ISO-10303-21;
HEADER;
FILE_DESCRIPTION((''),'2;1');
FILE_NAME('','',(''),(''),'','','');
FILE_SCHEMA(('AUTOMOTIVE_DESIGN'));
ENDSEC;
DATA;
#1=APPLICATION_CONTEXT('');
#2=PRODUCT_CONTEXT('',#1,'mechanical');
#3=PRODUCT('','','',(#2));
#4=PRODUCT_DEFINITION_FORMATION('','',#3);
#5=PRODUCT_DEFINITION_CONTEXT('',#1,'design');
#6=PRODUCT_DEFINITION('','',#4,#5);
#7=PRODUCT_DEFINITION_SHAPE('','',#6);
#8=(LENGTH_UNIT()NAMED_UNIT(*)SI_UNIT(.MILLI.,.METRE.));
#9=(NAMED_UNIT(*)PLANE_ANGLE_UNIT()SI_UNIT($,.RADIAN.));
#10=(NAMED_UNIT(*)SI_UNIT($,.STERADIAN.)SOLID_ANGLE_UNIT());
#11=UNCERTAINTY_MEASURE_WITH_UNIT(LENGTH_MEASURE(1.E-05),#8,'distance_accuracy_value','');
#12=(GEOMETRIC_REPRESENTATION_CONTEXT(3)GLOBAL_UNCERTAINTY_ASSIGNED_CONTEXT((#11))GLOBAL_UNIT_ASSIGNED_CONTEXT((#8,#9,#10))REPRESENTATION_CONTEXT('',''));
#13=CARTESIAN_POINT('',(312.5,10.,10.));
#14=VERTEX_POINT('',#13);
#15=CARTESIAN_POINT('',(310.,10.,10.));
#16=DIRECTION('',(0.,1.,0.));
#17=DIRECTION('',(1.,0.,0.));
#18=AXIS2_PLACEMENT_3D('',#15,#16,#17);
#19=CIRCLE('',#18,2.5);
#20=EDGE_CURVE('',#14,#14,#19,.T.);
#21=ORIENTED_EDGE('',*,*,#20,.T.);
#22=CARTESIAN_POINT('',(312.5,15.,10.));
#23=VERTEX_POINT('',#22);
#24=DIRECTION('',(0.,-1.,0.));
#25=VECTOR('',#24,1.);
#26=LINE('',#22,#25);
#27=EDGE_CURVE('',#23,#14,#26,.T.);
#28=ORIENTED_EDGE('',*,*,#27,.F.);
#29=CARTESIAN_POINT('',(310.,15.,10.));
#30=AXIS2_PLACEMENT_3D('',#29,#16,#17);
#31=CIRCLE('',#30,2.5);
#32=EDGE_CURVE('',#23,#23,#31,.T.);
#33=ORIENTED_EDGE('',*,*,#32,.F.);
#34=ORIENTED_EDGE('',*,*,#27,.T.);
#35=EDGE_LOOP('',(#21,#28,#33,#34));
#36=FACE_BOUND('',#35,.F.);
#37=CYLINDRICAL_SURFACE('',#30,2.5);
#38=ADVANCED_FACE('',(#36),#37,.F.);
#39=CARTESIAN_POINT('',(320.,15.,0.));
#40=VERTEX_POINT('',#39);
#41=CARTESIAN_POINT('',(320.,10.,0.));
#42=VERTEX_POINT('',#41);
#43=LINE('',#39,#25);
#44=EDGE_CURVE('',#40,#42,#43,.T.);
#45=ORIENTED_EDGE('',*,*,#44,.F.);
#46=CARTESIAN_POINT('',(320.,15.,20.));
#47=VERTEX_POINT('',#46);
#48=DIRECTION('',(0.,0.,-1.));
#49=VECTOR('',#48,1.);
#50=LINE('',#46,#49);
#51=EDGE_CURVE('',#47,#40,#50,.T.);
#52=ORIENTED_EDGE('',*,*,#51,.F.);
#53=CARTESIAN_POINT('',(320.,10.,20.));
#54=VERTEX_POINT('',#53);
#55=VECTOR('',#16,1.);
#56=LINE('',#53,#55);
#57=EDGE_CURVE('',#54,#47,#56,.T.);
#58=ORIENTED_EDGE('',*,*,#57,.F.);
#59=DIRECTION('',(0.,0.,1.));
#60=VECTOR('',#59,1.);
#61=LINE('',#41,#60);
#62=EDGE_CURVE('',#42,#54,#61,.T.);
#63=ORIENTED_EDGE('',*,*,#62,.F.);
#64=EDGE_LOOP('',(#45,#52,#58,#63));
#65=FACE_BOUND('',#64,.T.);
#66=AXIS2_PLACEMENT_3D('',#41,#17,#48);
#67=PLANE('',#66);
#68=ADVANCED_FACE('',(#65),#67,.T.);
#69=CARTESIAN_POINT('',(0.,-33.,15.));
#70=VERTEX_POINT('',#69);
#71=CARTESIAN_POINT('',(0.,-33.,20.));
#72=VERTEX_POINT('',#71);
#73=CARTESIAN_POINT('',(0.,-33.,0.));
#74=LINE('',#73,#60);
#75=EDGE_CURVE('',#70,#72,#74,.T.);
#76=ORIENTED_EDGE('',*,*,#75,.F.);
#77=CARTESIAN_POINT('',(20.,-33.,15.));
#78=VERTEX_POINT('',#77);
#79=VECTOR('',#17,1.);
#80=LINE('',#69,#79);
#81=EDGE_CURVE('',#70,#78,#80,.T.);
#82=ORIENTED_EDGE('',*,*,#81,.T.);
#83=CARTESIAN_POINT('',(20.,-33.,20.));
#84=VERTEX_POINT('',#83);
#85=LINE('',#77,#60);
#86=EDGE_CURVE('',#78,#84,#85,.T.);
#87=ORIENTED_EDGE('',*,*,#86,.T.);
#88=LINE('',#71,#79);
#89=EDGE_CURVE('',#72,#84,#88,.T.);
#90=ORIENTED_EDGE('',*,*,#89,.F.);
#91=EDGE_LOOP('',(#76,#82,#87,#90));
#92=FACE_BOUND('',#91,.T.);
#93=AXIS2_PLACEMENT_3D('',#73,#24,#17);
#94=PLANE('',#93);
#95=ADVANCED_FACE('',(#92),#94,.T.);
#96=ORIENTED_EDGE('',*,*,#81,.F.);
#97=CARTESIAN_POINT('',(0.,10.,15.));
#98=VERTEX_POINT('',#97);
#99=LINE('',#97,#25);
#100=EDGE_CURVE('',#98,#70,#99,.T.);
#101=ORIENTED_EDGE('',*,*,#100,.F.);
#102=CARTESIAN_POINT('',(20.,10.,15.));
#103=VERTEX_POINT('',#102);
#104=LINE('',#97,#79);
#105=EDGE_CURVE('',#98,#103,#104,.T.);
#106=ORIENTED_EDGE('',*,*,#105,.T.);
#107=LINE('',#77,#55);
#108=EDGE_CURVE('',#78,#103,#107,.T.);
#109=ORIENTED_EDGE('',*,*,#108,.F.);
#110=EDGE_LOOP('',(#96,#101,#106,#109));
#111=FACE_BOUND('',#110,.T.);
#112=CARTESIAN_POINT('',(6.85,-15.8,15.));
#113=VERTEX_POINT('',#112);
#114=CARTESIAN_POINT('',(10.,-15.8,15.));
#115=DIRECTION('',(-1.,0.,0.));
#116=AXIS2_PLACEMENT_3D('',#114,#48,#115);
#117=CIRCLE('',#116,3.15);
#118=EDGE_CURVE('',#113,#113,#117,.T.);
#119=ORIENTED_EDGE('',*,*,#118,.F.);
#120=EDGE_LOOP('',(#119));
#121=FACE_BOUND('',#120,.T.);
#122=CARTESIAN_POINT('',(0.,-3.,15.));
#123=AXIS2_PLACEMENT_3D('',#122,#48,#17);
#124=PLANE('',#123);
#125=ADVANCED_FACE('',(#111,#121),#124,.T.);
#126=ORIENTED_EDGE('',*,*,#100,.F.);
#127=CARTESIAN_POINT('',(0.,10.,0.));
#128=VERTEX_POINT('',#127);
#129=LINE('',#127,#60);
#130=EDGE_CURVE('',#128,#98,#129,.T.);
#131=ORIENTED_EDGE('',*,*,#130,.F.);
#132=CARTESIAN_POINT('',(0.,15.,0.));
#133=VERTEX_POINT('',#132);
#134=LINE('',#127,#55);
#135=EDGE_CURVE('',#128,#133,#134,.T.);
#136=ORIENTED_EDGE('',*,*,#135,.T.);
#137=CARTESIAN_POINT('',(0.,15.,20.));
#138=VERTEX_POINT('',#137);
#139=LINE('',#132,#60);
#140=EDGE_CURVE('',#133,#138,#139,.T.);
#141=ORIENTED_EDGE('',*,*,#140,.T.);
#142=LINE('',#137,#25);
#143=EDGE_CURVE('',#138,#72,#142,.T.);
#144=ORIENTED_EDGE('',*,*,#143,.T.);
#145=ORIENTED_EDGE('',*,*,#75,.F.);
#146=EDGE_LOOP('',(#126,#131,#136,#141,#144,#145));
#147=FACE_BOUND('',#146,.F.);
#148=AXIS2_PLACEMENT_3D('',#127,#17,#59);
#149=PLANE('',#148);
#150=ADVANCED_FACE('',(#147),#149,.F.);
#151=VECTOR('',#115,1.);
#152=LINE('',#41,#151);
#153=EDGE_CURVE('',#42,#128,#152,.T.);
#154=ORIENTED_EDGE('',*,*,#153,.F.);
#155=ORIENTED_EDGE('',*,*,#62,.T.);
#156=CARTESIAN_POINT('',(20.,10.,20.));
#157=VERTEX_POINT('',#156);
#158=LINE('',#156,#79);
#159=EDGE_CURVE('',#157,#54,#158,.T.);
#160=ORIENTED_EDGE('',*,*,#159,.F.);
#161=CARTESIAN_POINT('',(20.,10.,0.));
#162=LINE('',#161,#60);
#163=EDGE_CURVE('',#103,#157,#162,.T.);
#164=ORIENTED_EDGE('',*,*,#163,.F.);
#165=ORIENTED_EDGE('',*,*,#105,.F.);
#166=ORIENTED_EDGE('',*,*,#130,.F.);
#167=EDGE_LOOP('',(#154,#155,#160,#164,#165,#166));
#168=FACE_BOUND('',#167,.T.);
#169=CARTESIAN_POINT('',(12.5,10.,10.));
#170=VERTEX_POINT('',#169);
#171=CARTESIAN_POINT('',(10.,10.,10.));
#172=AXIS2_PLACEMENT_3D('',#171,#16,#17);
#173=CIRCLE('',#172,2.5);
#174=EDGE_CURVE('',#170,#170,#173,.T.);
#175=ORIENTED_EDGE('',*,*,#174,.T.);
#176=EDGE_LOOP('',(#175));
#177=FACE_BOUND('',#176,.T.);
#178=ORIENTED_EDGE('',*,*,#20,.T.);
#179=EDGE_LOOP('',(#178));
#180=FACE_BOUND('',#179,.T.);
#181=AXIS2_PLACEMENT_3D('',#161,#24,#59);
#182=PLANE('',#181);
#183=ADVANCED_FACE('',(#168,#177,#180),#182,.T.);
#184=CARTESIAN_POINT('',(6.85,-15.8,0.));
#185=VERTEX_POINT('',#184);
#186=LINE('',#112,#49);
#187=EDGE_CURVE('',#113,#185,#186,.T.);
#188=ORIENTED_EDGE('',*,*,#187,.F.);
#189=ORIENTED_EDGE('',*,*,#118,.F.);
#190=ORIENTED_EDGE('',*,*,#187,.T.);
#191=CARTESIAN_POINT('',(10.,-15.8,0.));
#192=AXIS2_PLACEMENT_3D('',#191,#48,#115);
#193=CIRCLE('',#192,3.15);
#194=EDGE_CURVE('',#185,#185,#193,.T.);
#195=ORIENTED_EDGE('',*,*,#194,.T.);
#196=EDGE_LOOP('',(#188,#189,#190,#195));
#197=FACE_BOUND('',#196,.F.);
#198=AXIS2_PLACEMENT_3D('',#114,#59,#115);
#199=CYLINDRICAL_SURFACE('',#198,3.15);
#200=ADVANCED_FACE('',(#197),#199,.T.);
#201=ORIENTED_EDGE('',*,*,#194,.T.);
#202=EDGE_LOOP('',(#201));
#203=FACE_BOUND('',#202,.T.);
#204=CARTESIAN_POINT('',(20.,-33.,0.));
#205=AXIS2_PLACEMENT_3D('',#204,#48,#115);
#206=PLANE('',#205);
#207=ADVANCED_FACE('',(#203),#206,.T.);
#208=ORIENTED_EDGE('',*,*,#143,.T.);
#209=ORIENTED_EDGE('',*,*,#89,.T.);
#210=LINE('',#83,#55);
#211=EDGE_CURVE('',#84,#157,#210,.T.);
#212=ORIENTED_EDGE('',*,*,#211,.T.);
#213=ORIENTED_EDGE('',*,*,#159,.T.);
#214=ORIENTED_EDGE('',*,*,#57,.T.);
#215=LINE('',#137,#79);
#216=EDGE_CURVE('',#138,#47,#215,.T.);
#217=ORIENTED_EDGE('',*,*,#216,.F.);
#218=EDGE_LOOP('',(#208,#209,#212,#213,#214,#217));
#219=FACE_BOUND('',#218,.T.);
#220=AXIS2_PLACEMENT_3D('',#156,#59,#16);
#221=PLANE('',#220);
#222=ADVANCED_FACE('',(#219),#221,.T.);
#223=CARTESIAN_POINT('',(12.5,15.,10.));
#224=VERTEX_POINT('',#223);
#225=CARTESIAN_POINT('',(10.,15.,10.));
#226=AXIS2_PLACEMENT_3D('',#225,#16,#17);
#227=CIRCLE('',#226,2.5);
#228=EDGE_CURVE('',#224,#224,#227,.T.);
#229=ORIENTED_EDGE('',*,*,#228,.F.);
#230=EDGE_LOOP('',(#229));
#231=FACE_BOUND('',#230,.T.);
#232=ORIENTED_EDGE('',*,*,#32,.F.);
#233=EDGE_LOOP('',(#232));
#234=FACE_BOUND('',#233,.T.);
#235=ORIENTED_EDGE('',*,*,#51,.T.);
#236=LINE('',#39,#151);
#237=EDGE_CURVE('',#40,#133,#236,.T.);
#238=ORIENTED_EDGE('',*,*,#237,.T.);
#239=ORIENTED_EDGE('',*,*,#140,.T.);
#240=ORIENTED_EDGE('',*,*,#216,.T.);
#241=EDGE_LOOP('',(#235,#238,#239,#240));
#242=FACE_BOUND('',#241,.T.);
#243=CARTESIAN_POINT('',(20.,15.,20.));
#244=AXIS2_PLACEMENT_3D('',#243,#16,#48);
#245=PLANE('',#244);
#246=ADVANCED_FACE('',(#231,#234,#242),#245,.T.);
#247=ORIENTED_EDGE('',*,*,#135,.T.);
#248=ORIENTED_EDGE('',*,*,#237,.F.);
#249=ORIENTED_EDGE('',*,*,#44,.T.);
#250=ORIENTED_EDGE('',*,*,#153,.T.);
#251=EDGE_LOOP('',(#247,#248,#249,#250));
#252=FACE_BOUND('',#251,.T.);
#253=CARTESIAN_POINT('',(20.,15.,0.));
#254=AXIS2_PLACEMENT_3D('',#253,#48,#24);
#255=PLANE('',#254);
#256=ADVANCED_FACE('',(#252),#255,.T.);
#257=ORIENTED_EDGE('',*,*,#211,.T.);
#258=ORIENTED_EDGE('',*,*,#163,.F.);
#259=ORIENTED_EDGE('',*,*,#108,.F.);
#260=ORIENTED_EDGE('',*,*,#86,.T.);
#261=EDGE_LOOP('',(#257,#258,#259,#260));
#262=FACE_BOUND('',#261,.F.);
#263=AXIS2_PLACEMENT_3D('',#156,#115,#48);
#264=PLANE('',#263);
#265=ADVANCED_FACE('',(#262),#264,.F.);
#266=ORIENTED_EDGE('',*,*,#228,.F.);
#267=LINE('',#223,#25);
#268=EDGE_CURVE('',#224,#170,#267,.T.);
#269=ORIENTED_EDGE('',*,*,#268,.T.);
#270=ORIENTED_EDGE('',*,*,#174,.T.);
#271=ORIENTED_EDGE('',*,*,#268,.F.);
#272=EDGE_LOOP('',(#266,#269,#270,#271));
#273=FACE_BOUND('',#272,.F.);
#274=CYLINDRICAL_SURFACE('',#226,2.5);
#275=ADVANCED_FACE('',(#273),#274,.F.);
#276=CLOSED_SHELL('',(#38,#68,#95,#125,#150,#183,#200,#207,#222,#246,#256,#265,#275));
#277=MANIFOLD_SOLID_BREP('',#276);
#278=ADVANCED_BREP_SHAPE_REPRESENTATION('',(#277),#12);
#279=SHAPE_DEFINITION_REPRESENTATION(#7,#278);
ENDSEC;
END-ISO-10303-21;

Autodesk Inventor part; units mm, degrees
ref_plane "Plano de trabajo1" through (0, 10, 0) normal (0, 1, 0) x (1, 0, 0)
sketch "Boceto3" plane through (0, 10, 0) normal (0, 1, 0) x (1, 0, 0)
  line L0 (20, -20) -> (0, -20) projected
  line L1 (0, 0) -> (20, 0) projected
  line L2 (0, -20) -> (20, -20)
  line L3 (20, -20) -> (20, 0)
  line L4 (20, 0) -> (0, 0)
  line L5 (0, 0) -> (0, -20)
extrude "Extrusión3" add sketch "Boceto3" along normal blind 5
ref_plane "Plano de trabajo4" through (0, -3, 0) normal (0, -1, 0) x (1, 0, 0)
sketch "Boceto8" plane through (0, -3, 0) normal (0, -1, 0) x (1, 0, 0)
  line L0 (0, 0) -> (0, 20) projected
  line L1 (0, 20) -> (20, 20) projected
  line L2 (0, 15) -> (20, 15)
  line L3 (20, 15) -> (20, 20)
  line L4 (20, 20) -> (0, 20)
  line L5 (0, 20) -> (0, 15)
  dimension "d25" = 5
extrude "Extrusión8" add sketch "Boceto8" along normal blind 30
ref_plane "Plano de trabajo5" through (20, -33, 15) normal (0, 0, -1) x (-1, 0, 0)
sketch "Boceto10" plane through (20, -33, 15) normal (0, 0, -1) x (-1, 0, 0)
  circle A0 centre (10, 17.2) radius 3.15
  line L0 (0, 33) -> (20, 33) projected
  line L1 (0, 32) -> (0, 0) projected
  point P0 (15.75, 33)
  point P1 (10, 33)
  dimension "d35" = 6.3
  dimension "d36" = 15.8
  dimension "d37" = 10
extrude "Extrusión9" add sketch "Boceto10" along normal blind 15
ref_plane "Plano de trabajo2" through (20, 10, 20) normal (1, 0, 0) x (0, 0, -1)
sketch "Boceto13" plane through (0, -3, 0) normal (0, 1, 0) x (1, 0, 0)
  line L0 (0, -20) -> (0, -15) projected
  line L1 (20, -15) -> (20, -20) projected
  line L2 (0, -15) -> (20, -15)
  line L3 (20, -15) -> (20, -20)
  line L4 (20, -20) -> (0, -20)
  line L5 (0, -20) -> (0, -15)
  point P0 (0, 0)
extrude "Extrusión12" add sketch "Boceto13" along normal blind 13
sketch "Boceto15" plane through (0, 15, 0) normal (0, 1, 0) x (1, 0, 0)
  circle A0 centre (10, -10) radius 2.5
  line L0 (0, 0) -> (0, -20) projected
  line L1 (0, -20) -> (20, -20) projected
  point P0 (320, -20)
  dimension "d58" = 5
  dimension "d59" = 10
  dimension "d60" = 10
extrude "Extrusión14" cut sketch "Boceto15" against normal blind 5
thread "Rosca6" size "M5x0.8" class "6H" standard "ANSI Metric M Profile" full length
sketch "Boceto20" plane through (20, 10, 0) normal (1, 0, 0) x (0, 0, -1)
  line L0 (-20, 5) -> (0, 5) projected
  line L1 (-20, 5) -> (0, 5)
  line L2 (0, 5) -> (0, 0)
  line L3 (0, 0) -> (-20, 0)
  line L4 (-20, 0) -> (-20, 5)
  point P0 (0, -10)
extrude "Extrusión18" add sketch "Boceto20" along normal blind 300
sketch "Boceto21" plane through (0, 15, 0) normal (0, 1, 0) x (1, 0, 0)
  circle A0 centre (310, -10) radius 2.5
  line L0 (0, 0) -> (320, 0) projected
  line L1 (320, 0) -> (320, -20) projected
  dimension "d84" = 5
  dimension "d85" = 10
  dimension "d86" = 10
extrude "Extrusión19" cut sketch "Boceto21" against normal blind 300
thread "Rosca8" size "M5x0.8" class "6H" standard "ANSI Metric M Profile" full length
properties part number "Ejes Base - C15_3DPrint"
